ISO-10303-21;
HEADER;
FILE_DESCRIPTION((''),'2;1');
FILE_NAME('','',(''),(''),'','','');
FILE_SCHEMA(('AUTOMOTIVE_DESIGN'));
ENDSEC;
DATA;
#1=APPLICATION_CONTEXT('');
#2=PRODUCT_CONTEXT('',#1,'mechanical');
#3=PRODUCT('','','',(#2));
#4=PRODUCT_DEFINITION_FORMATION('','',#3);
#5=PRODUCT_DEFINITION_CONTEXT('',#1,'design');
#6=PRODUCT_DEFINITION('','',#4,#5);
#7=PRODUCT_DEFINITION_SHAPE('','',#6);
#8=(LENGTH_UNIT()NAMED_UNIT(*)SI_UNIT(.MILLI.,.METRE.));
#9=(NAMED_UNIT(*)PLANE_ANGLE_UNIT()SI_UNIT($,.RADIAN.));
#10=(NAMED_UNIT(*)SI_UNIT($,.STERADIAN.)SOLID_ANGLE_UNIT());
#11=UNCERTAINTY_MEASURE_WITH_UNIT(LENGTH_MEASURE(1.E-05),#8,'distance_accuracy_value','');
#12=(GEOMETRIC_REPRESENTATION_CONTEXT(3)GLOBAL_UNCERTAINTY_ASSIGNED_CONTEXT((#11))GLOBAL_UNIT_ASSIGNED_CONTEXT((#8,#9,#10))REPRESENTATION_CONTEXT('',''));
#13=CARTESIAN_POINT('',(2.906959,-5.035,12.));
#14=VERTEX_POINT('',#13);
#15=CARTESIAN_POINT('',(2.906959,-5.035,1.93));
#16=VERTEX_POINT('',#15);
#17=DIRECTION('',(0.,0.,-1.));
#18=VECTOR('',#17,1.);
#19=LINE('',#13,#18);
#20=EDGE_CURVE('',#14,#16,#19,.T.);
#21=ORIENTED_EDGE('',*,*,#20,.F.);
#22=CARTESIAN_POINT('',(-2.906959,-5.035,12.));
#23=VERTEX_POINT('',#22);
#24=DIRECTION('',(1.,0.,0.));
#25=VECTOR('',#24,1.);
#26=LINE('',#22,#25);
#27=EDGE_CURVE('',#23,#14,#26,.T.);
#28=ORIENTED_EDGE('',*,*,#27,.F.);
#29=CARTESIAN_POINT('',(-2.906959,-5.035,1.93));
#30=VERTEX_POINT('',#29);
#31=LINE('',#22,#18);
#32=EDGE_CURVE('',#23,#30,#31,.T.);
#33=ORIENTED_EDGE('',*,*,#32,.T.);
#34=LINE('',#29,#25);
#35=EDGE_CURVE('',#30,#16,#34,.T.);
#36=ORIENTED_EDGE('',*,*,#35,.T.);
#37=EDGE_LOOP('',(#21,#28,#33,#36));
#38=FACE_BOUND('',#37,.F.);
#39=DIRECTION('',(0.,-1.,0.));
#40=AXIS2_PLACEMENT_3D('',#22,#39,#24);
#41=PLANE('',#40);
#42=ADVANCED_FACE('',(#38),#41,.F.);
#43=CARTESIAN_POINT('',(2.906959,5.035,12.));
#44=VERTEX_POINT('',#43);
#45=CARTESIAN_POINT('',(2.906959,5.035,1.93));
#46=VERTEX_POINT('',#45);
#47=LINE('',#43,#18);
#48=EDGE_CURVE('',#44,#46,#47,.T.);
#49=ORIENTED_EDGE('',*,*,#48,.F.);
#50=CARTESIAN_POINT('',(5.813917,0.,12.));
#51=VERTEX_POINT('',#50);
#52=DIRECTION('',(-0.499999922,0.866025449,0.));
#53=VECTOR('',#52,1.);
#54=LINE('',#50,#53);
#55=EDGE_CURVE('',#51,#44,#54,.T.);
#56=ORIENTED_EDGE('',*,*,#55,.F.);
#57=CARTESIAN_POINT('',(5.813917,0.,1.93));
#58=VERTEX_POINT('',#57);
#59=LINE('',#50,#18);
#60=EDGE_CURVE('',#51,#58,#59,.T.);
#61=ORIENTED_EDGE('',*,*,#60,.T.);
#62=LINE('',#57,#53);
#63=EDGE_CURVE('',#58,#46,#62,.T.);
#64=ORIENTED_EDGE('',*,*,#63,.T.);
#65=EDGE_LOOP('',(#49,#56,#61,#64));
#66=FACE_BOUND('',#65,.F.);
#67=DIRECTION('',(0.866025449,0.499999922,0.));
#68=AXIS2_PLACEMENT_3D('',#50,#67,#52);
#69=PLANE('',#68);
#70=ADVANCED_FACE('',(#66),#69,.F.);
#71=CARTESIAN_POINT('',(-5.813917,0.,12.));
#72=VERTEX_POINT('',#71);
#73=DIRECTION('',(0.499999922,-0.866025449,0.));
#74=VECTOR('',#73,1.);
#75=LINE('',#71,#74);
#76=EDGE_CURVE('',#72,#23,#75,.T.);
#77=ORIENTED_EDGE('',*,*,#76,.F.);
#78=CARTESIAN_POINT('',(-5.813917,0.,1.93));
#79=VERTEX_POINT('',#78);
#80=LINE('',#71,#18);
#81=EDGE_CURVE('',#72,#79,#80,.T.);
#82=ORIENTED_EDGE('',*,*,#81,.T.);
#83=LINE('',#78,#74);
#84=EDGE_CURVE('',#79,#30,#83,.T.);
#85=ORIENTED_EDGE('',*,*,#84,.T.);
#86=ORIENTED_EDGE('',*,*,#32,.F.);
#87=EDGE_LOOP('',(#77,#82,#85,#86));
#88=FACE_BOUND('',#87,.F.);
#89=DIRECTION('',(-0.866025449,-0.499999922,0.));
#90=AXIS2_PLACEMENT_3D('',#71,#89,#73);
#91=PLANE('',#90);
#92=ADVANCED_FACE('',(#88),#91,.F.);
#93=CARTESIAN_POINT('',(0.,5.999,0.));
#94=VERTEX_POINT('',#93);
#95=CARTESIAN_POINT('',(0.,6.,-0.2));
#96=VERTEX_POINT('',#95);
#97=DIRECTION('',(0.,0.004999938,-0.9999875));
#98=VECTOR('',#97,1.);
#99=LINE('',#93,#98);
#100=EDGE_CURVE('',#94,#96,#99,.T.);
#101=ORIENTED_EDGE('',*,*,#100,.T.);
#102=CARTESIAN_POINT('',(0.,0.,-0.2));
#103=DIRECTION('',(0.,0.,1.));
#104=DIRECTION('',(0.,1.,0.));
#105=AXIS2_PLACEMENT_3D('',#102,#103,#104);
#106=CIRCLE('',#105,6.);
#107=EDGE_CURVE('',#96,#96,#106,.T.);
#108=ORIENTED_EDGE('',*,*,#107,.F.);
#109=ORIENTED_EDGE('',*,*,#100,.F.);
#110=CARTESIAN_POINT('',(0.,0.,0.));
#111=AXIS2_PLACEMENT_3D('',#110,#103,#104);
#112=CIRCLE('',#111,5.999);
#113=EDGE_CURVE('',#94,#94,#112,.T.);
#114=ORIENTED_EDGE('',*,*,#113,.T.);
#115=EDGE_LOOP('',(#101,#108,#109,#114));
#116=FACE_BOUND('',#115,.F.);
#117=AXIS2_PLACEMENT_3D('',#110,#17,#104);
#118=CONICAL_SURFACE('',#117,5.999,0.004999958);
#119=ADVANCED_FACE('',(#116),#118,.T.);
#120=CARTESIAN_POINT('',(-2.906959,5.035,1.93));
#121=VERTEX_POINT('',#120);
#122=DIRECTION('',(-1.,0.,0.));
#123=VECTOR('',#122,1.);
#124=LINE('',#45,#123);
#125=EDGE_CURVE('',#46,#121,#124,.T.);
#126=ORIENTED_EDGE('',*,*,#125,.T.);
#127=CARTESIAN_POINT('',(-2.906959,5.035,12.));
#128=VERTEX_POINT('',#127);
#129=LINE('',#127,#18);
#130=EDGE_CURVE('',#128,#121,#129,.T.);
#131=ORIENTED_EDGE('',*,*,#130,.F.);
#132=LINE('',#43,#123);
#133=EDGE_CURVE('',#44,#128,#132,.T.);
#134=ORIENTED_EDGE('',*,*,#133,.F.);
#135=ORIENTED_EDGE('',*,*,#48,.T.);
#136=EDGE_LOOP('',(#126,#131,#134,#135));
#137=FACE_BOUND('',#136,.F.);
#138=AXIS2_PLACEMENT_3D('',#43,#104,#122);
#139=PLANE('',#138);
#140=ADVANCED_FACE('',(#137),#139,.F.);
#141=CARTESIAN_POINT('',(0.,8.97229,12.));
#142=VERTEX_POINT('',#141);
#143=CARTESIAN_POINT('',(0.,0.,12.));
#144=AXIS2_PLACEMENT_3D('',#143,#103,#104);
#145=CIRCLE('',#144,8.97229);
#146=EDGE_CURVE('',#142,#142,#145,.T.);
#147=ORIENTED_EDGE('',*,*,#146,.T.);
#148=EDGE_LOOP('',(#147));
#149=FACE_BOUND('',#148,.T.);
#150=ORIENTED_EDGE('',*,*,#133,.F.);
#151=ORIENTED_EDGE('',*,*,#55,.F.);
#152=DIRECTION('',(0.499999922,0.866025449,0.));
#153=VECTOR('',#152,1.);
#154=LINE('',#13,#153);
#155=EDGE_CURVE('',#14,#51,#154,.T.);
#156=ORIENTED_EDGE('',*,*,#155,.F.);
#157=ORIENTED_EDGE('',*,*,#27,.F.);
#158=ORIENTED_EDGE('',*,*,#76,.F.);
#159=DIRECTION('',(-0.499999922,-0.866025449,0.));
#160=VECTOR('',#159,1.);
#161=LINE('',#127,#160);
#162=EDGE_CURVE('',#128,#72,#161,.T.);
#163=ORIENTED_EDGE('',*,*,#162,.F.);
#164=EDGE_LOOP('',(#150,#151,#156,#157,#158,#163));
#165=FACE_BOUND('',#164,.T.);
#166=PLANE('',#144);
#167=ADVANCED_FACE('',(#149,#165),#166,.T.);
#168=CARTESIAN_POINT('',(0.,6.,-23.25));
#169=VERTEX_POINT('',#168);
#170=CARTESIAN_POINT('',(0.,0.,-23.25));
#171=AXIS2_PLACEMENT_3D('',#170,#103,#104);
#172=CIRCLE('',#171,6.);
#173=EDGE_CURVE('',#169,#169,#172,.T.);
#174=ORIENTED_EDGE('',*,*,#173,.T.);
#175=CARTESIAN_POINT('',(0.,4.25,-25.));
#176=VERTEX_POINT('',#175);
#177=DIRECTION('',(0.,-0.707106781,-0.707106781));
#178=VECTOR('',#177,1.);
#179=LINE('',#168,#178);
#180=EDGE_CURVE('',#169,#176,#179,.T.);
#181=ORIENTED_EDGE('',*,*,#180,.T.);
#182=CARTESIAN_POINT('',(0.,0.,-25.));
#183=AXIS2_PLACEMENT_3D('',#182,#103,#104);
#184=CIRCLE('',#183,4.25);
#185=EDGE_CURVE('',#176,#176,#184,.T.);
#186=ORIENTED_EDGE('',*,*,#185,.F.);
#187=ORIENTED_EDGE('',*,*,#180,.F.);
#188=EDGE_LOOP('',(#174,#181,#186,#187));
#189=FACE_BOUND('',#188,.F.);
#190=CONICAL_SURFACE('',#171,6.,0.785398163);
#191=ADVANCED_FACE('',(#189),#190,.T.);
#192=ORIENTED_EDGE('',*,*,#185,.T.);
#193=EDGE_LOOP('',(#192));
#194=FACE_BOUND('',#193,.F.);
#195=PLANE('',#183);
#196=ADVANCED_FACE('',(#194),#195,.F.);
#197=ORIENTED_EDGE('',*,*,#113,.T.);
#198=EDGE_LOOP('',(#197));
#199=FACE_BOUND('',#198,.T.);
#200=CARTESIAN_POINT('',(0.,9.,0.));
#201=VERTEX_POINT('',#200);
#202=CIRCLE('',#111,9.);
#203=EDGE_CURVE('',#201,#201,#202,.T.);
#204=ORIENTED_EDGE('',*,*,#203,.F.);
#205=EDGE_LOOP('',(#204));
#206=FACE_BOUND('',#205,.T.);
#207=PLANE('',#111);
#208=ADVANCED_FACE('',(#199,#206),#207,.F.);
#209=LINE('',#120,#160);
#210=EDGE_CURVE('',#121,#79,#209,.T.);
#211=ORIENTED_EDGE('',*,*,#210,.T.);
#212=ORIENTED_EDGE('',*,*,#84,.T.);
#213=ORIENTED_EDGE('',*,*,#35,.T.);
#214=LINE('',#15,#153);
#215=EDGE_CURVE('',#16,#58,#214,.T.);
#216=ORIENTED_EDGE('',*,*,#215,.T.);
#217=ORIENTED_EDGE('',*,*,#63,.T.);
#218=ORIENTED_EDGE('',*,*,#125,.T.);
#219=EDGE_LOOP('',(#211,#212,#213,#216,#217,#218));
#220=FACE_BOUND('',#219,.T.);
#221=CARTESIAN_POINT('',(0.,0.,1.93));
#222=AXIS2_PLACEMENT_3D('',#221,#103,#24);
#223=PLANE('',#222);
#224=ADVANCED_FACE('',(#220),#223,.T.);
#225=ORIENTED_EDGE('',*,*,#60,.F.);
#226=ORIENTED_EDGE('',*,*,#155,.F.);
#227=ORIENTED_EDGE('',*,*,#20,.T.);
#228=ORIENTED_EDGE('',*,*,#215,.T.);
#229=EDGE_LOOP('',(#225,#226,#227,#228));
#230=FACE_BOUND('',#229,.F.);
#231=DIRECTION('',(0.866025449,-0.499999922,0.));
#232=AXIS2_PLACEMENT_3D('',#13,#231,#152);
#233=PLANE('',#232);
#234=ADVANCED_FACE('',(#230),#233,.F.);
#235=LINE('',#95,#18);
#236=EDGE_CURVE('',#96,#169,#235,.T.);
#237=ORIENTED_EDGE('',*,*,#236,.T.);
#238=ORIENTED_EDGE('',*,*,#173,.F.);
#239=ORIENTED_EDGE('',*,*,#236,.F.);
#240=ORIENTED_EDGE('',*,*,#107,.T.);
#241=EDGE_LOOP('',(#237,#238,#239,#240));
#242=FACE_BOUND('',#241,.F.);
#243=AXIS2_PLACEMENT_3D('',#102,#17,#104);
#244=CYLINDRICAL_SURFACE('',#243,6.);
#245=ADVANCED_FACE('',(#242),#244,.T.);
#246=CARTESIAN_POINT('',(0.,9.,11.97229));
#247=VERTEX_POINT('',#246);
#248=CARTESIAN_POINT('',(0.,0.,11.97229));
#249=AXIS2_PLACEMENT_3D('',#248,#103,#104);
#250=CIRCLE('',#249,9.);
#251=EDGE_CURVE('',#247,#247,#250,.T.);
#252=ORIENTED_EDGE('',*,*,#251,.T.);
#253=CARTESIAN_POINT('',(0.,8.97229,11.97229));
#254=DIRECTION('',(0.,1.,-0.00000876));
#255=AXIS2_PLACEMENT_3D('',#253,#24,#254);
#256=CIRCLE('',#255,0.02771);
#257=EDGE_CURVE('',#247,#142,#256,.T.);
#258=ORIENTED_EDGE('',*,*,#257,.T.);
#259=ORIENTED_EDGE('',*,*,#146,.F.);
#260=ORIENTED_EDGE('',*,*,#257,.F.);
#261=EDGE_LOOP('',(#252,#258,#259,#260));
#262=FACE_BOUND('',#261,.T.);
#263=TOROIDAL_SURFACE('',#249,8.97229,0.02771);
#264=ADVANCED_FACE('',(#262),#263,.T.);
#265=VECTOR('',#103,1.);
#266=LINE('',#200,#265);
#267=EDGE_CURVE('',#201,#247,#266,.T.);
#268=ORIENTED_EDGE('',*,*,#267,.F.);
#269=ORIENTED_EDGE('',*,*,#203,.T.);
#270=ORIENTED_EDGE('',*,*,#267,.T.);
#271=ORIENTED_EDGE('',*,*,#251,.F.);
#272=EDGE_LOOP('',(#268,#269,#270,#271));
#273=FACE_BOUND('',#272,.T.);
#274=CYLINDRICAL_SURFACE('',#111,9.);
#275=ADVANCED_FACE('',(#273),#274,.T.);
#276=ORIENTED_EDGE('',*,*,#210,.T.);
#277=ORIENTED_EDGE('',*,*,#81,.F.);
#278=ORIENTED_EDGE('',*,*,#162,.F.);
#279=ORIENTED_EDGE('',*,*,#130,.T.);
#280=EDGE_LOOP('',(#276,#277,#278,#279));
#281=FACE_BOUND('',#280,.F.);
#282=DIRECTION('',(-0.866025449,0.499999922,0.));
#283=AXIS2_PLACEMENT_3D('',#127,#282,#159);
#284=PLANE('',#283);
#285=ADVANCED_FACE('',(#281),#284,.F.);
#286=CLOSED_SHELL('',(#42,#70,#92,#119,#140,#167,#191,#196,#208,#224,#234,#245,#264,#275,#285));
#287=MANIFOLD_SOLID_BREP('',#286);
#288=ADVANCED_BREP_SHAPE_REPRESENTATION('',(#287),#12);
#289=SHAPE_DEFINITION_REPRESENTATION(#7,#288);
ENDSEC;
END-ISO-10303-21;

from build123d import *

# Parameters (mm, degrees)
POCKET_DEPTH = 10.07


with BuildPart() as part:
    # Sketch → Revolve (revolve)
    with BuildSketch(Plane.YZ):
        with BuildLine():
            Line((5.999, 0), (9, 0))
            Line((9, 0), (9, 11.97229))
            ThreePointArc((9, 11.97229), (8.991884, 11.991884), (8.97229, 12))
            Line((8.97229, 12), (0, 12))
            Line((0, -25), (0, 12))
            Line((4.25, -25), (0, -25))
            Line((6, -23.25), (4.25, -25))
            Line((6, -0.2), (6, -23.25))
            Line((5.999, 0), (6, -0.2))
        make_face()
    revolve(axis=Axis((0, 0, 0), (0, 0, 1)))

    # Sketch001 → Pocket (cut)
    with BuildSketch(Plane.XY.offset(12)):
        Polygon((5.813917, 0), (2.906959, 5.035), (-2.906959, 5.035), (-5.813917, 0), (-2.906959, -5.035), (2.906959, -5.035), align=None)
    extrude(amount=-POCKET_DEPTH, mode=Mode.SUBTRACT)


solid = part.part
